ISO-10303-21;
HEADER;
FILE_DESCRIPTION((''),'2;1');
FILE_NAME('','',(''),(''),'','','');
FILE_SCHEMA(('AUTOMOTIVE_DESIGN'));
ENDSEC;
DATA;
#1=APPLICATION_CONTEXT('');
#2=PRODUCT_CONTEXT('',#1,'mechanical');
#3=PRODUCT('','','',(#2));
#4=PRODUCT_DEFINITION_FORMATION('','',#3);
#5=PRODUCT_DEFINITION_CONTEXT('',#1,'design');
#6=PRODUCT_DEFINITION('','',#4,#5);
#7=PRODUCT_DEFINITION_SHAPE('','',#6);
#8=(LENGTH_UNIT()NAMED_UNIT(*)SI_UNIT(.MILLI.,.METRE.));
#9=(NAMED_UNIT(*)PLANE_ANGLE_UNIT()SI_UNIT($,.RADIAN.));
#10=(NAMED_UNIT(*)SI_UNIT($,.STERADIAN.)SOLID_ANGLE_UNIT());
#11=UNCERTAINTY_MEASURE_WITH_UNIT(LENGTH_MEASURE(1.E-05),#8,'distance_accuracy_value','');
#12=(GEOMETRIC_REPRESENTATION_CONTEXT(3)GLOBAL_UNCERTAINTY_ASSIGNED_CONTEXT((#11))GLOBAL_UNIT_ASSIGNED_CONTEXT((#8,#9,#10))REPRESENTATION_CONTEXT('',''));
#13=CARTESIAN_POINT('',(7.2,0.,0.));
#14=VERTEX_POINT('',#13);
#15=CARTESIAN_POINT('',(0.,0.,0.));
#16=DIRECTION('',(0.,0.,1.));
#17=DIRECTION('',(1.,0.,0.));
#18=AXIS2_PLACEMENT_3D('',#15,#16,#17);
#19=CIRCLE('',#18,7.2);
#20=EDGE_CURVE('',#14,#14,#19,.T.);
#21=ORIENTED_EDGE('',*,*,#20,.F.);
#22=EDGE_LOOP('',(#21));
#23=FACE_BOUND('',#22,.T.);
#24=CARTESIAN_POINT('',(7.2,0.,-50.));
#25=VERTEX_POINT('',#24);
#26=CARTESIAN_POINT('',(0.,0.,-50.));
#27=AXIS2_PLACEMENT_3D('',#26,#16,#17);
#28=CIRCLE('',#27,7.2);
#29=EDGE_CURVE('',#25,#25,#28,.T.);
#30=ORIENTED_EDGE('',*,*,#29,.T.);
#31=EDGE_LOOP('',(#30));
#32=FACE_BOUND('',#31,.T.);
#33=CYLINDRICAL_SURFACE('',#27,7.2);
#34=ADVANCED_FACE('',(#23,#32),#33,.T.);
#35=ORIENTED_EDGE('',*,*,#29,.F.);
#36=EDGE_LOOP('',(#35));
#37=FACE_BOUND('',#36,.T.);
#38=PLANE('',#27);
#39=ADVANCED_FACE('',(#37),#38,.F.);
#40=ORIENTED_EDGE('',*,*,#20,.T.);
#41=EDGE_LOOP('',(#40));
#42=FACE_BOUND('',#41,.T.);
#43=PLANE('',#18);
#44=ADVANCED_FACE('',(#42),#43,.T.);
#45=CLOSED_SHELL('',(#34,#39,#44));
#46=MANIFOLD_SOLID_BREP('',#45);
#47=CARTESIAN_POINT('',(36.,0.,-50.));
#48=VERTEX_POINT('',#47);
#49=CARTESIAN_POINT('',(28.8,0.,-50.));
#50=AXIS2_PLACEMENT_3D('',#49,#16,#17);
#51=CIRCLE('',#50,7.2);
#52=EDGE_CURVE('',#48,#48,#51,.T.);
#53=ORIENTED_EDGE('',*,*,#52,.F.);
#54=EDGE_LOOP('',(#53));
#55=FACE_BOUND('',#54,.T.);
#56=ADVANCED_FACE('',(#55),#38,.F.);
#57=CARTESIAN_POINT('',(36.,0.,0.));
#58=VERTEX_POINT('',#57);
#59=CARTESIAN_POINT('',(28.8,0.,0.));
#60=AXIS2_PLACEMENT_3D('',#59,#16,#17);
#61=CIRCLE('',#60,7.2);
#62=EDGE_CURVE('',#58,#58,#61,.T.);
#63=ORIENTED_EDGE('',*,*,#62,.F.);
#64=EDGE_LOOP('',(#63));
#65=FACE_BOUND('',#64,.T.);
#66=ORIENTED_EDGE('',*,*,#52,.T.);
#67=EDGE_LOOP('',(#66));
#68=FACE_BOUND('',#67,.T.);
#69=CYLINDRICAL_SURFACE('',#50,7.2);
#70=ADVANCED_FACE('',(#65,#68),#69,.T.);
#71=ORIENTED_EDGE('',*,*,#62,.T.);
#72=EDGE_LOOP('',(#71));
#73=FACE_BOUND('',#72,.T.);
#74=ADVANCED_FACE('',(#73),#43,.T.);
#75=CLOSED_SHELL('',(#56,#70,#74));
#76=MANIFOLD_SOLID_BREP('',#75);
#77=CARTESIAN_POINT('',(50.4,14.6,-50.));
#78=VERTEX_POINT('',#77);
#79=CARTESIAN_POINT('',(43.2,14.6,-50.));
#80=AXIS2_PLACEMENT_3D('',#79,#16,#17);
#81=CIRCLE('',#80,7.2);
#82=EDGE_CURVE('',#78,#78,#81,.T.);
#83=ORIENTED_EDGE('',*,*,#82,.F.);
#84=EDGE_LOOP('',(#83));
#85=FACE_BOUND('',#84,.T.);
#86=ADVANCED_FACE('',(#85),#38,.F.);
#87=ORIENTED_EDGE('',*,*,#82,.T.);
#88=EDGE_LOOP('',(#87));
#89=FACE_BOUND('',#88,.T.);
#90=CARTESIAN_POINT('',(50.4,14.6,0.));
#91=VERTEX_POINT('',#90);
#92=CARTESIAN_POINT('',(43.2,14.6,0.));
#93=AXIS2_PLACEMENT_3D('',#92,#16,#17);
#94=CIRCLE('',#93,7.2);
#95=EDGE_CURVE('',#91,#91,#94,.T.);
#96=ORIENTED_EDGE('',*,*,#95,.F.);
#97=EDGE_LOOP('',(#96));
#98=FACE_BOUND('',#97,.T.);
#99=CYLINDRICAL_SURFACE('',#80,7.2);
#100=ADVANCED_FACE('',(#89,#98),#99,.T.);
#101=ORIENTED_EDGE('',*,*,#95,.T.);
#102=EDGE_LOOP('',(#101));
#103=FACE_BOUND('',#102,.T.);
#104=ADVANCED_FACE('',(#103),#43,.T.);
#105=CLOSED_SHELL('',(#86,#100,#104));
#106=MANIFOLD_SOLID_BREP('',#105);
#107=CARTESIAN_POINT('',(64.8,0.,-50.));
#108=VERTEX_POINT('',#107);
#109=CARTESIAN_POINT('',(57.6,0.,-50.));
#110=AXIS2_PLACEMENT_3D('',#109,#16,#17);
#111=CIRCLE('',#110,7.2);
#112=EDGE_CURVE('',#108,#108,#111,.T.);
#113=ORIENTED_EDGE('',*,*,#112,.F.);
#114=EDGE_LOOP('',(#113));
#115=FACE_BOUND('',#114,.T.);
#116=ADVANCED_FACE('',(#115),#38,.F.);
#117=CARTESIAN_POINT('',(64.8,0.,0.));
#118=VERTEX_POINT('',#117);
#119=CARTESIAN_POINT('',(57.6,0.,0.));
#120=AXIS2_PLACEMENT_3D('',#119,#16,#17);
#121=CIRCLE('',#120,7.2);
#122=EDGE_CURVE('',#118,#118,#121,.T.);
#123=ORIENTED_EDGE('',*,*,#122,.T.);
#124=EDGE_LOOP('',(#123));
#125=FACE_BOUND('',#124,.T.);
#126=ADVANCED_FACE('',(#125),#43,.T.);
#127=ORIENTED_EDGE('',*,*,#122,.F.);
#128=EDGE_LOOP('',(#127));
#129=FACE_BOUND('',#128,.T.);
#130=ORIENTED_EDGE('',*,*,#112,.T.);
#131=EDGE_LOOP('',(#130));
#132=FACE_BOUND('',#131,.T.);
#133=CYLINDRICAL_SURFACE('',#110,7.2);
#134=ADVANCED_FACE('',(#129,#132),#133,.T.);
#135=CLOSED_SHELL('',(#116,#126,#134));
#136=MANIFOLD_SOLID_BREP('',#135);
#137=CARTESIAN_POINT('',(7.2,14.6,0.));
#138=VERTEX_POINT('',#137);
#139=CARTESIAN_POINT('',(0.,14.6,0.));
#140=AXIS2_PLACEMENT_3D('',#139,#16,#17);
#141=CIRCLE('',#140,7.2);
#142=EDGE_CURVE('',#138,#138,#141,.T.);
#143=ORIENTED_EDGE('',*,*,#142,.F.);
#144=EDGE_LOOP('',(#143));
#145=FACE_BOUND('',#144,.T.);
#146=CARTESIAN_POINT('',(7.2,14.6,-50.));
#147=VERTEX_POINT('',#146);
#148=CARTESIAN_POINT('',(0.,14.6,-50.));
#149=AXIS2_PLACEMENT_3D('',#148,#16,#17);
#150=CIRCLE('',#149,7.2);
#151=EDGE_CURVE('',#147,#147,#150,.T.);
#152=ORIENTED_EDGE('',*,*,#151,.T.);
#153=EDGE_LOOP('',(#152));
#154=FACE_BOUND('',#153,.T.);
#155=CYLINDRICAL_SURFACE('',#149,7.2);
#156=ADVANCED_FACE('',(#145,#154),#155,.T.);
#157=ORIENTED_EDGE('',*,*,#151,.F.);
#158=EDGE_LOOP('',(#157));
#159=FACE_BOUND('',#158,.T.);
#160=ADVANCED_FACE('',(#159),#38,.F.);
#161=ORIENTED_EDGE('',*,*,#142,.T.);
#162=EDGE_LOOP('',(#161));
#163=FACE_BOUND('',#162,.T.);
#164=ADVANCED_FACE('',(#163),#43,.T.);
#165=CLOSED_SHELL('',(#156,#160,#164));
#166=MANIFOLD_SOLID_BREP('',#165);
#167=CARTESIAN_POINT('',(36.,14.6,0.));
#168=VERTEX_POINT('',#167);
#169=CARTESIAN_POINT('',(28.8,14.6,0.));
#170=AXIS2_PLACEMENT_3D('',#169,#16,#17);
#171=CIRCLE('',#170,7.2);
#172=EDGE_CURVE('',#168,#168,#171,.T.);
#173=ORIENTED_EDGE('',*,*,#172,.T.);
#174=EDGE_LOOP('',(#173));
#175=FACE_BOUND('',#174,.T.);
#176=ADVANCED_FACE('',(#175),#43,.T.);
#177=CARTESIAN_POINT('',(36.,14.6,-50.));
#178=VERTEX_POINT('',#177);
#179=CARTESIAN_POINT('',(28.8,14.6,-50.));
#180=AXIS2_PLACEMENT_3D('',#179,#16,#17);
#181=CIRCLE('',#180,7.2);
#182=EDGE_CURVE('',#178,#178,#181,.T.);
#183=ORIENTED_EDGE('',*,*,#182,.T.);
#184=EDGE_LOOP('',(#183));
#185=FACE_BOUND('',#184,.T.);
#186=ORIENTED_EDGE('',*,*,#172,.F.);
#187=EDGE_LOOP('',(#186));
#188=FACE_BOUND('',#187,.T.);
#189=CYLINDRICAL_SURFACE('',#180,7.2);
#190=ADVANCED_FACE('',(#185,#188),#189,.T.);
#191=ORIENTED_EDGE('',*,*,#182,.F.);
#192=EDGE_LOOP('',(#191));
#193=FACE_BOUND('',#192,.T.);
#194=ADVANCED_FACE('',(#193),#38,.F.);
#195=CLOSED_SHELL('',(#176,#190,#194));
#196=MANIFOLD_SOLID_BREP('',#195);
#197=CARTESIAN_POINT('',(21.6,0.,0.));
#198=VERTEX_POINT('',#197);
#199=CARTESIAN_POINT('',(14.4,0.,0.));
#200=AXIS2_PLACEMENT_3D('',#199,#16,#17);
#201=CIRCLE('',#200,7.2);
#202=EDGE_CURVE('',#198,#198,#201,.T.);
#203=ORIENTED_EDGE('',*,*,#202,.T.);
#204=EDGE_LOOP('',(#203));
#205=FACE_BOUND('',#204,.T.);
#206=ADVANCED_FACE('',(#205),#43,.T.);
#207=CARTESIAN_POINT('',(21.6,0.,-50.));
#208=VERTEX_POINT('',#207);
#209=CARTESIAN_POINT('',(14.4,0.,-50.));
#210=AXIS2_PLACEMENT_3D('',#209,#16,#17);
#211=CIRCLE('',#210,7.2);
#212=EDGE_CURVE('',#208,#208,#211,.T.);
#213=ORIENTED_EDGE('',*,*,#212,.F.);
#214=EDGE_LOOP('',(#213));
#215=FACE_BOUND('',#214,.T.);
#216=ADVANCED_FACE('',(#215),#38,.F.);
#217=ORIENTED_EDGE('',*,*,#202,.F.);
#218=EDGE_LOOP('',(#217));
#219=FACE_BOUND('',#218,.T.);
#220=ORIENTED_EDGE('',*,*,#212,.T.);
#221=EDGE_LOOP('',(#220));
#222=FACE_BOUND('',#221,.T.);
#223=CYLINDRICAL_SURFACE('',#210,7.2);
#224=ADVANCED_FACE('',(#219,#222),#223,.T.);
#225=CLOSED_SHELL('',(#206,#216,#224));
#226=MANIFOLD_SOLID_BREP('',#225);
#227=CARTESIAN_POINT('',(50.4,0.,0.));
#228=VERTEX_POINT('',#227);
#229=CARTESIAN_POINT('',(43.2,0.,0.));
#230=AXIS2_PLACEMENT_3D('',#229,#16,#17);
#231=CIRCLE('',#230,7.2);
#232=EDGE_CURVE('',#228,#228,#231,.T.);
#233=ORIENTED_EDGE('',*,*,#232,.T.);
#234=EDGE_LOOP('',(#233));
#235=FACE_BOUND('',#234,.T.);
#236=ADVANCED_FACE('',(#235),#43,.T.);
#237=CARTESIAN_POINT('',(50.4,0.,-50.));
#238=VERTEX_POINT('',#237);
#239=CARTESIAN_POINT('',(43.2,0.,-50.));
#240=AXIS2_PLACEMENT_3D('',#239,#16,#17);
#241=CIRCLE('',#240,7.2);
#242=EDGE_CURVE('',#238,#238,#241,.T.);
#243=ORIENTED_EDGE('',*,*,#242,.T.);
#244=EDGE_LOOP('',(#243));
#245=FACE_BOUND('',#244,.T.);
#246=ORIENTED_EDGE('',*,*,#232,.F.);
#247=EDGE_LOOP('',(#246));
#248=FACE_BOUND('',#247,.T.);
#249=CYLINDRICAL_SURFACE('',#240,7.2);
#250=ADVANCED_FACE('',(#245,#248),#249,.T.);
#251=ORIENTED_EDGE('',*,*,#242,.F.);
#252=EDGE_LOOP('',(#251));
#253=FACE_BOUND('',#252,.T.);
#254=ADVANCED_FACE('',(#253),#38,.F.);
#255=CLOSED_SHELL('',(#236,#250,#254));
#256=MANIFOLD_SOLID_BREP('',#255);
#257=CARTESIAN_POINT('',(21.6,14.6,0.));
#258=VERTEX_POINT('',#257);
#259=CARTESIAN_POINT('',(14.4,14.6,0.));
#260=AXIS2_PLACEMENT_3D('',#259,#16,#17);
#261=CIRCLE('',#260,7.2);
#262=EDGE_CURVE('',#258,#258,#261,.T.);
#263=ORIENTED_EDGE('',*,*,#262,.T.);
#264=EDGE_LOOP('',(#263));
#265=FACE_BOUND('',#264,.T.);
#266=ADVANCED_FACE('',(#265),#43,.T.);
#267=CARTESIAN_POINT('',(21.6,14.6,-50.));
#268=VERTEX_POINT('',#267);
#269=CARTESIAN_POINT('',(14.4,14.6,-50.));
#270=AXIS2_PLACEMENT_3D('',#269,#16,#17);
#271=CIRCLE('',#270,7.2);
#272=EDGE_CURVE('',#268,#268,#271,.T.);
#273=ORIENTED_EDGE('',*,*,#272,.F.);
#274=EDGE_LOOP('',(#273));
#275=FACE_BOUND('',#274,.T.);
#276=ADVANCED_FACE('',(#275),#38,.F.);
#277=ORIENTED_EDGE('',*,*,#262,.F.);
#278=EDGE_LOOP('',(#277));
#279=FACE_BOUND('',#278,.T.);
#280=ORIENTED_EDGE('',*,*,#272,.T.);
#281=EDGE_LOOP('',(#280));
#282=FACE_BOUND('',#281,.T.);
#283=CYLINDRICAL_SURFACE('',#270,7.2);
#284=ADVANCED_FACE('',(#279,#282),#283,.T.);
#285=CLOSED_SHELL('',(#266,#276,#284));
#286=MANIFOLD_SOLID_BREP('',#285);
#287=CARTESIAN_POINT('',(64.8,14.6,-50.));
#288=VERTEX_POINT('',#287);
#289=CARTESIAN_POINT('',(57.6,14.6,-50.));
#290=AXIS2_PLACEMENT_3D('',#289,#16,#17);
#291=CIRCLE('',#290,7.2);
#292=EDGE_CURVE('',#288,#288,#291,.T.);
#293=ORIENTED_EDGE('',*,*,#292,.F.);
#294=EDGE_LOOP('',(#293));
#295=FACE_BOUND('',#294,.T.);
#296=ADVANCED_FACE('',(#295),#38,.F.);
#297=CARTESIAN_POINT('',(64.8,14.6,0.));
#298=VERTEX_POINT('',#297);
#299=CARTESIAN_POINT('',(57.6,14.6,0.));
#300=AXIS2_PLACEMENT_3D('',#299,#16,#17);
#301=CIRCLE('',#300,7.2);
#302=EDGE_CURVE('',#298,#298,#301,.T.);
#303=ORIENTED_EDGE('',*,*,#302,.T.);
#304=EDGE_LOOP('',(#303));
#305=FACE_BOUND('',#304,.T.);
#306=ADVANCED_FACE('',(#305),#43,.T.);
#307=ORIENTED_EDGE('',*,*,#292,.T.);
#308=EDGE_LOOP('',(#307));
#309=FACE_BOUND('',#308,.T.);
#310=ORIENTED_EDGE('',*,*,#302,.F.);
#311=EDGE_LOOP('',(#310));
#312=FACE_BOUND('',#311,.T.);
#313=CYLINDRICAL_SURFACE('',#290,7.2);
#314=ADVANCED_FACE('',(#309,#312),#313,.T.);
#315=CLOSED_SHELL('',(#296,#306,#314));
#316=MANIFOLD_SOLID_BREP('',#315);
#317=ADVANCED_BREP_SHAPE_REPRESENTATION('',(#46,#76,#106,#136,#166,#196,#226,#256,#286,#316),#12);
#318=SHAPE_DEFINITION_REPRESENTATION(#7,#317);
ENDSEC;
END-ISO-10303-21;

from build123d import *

# Parameters (mm, degrees)
SKETCH1_R              = 7.2
BOSS_EXTRUDE1_DEPTH    = 50
BOSS_EXTRUDE1_2_DEPTH  = 50
BOSS_EXTRUDE1_3_DEPTH  = 50
BOSS_EXTRUDE1_4_DEPTH  = 50
BOSS_EXTRUDE1_5_DEPTH  = 50
BOSS_EXTRUDE1_6_DEPTH  = 50
BOSS_EXTRUDE1_7_DEPTH  = 50
BOSS_EXTRUDE1_8_DEPTH  = 50
BOSS_EXTRUDE1_9_DEPTH  = 50
BOSS_EXTRUDE1_10_DEPTH = 50


with BuildPart() as part:
    # Sketch1 → Boss-Extrude1 (new body)
    with BuildSketch(Plane.XY):
        Circle(SKETCH1_R)
    extrude(amount=-BOSS_EXTRUDE1_DEPTH)


with BuildPart() as body_2:
    # Sketch1 → Boss-Extrude1 2 (new body)
    with BuildSketch(Plane.XY):
        with Locations((28.8, 0)):
            Circle(SKETCH1_R)
    extrude(amount=-BOSS_EXTRUDE1_2_DEPTH)


with BuildPart() as body_3:
    # Sketch1 → Boss-Extrude1 3 (new body)
    with BuildSketch(Plane.XY):
        with Locations((14.4, 0)):
            Circle(SKETCH1_R)
    extrude(amount=-BOSS_EXTRUDE1_3_DEPTH)


with BuildPart() as body_4:
    # Sketch1 → Boss-Extrude1 4 (new body)
    with BuildSketch(Plane.XY):
        with Locations((43.2, 0)):
            Circle(SKETCH1_R)
    extrude(amount=-BOSS_EXTRUDE1_4_DEPTH)


with BuildPart() as body_5:
    # Sketch1 → Boss-Extrude1 5 (new body)
    with BuildSketch(Plane.XY):
        with Locations((57.6, 0)):
            Circle(SKETCH1_R)
    extrude(amount=-BOSS_EXTRUDE1_5_DEPTH)


with BuildPart() as body_6:
    # Sketch1 → Boss-Extrude1 6 (new body)
    with BuildSketch(Plane.XY):
        with Locations((0, 14.6)):
            Circle(SKETCH1_R)
    extrude(amount=-BOSS_EXTRUDE1_6_DEPTH)


with BuildPart() as body_7:
    # Sketch1 → Boss-Extrude1 7 (new body)
    with BuildSketch(Plane.XY):
        with Locations((14.4, 14.6)):
            Circle(SKETCH1_R)
    extrude(amount=-BOSS_EXTRUDE1_7_DEPTH)


with BuildPart() as body_8:
    # Sketch1 → Boss-Extrude1 8 (new body)
    with BuildSketch(Plane.XY):
        with Locations((28.8, 14.6)):
            Circle(SKETCH1_R)
    extrude(amount=-BOSS_EXTRUDE1_8_DEPTH)


with BuildPart() as body_9:
    # Sketch1 → Boss-Extrude1 9 (new body)
    with BuildSketch(Plane.XY):
        with Locations((43.2, 14.6)):
            Circle(SKETCH1_R)
    extrude(amount=-BOSS_EXTRUDE1_9_DEPTH)


with BuildPart() as body_10:
    # Sketch1 → Boss-Extrude1 10 (new body)
    with BuildSketch(Plane.XY):
        with Locations((57.6, 14.6)):
            Circle(SKETCH1_R)
    extrude(amount=-BOSS_EXTRUDE1_10_DEPTH)


solid = Compound([part.part, body_2.part, body_3.part, body_4.part, body_5.part, body_6.part, body_7.part, body_8.part, body_9.part, body_10.part])
